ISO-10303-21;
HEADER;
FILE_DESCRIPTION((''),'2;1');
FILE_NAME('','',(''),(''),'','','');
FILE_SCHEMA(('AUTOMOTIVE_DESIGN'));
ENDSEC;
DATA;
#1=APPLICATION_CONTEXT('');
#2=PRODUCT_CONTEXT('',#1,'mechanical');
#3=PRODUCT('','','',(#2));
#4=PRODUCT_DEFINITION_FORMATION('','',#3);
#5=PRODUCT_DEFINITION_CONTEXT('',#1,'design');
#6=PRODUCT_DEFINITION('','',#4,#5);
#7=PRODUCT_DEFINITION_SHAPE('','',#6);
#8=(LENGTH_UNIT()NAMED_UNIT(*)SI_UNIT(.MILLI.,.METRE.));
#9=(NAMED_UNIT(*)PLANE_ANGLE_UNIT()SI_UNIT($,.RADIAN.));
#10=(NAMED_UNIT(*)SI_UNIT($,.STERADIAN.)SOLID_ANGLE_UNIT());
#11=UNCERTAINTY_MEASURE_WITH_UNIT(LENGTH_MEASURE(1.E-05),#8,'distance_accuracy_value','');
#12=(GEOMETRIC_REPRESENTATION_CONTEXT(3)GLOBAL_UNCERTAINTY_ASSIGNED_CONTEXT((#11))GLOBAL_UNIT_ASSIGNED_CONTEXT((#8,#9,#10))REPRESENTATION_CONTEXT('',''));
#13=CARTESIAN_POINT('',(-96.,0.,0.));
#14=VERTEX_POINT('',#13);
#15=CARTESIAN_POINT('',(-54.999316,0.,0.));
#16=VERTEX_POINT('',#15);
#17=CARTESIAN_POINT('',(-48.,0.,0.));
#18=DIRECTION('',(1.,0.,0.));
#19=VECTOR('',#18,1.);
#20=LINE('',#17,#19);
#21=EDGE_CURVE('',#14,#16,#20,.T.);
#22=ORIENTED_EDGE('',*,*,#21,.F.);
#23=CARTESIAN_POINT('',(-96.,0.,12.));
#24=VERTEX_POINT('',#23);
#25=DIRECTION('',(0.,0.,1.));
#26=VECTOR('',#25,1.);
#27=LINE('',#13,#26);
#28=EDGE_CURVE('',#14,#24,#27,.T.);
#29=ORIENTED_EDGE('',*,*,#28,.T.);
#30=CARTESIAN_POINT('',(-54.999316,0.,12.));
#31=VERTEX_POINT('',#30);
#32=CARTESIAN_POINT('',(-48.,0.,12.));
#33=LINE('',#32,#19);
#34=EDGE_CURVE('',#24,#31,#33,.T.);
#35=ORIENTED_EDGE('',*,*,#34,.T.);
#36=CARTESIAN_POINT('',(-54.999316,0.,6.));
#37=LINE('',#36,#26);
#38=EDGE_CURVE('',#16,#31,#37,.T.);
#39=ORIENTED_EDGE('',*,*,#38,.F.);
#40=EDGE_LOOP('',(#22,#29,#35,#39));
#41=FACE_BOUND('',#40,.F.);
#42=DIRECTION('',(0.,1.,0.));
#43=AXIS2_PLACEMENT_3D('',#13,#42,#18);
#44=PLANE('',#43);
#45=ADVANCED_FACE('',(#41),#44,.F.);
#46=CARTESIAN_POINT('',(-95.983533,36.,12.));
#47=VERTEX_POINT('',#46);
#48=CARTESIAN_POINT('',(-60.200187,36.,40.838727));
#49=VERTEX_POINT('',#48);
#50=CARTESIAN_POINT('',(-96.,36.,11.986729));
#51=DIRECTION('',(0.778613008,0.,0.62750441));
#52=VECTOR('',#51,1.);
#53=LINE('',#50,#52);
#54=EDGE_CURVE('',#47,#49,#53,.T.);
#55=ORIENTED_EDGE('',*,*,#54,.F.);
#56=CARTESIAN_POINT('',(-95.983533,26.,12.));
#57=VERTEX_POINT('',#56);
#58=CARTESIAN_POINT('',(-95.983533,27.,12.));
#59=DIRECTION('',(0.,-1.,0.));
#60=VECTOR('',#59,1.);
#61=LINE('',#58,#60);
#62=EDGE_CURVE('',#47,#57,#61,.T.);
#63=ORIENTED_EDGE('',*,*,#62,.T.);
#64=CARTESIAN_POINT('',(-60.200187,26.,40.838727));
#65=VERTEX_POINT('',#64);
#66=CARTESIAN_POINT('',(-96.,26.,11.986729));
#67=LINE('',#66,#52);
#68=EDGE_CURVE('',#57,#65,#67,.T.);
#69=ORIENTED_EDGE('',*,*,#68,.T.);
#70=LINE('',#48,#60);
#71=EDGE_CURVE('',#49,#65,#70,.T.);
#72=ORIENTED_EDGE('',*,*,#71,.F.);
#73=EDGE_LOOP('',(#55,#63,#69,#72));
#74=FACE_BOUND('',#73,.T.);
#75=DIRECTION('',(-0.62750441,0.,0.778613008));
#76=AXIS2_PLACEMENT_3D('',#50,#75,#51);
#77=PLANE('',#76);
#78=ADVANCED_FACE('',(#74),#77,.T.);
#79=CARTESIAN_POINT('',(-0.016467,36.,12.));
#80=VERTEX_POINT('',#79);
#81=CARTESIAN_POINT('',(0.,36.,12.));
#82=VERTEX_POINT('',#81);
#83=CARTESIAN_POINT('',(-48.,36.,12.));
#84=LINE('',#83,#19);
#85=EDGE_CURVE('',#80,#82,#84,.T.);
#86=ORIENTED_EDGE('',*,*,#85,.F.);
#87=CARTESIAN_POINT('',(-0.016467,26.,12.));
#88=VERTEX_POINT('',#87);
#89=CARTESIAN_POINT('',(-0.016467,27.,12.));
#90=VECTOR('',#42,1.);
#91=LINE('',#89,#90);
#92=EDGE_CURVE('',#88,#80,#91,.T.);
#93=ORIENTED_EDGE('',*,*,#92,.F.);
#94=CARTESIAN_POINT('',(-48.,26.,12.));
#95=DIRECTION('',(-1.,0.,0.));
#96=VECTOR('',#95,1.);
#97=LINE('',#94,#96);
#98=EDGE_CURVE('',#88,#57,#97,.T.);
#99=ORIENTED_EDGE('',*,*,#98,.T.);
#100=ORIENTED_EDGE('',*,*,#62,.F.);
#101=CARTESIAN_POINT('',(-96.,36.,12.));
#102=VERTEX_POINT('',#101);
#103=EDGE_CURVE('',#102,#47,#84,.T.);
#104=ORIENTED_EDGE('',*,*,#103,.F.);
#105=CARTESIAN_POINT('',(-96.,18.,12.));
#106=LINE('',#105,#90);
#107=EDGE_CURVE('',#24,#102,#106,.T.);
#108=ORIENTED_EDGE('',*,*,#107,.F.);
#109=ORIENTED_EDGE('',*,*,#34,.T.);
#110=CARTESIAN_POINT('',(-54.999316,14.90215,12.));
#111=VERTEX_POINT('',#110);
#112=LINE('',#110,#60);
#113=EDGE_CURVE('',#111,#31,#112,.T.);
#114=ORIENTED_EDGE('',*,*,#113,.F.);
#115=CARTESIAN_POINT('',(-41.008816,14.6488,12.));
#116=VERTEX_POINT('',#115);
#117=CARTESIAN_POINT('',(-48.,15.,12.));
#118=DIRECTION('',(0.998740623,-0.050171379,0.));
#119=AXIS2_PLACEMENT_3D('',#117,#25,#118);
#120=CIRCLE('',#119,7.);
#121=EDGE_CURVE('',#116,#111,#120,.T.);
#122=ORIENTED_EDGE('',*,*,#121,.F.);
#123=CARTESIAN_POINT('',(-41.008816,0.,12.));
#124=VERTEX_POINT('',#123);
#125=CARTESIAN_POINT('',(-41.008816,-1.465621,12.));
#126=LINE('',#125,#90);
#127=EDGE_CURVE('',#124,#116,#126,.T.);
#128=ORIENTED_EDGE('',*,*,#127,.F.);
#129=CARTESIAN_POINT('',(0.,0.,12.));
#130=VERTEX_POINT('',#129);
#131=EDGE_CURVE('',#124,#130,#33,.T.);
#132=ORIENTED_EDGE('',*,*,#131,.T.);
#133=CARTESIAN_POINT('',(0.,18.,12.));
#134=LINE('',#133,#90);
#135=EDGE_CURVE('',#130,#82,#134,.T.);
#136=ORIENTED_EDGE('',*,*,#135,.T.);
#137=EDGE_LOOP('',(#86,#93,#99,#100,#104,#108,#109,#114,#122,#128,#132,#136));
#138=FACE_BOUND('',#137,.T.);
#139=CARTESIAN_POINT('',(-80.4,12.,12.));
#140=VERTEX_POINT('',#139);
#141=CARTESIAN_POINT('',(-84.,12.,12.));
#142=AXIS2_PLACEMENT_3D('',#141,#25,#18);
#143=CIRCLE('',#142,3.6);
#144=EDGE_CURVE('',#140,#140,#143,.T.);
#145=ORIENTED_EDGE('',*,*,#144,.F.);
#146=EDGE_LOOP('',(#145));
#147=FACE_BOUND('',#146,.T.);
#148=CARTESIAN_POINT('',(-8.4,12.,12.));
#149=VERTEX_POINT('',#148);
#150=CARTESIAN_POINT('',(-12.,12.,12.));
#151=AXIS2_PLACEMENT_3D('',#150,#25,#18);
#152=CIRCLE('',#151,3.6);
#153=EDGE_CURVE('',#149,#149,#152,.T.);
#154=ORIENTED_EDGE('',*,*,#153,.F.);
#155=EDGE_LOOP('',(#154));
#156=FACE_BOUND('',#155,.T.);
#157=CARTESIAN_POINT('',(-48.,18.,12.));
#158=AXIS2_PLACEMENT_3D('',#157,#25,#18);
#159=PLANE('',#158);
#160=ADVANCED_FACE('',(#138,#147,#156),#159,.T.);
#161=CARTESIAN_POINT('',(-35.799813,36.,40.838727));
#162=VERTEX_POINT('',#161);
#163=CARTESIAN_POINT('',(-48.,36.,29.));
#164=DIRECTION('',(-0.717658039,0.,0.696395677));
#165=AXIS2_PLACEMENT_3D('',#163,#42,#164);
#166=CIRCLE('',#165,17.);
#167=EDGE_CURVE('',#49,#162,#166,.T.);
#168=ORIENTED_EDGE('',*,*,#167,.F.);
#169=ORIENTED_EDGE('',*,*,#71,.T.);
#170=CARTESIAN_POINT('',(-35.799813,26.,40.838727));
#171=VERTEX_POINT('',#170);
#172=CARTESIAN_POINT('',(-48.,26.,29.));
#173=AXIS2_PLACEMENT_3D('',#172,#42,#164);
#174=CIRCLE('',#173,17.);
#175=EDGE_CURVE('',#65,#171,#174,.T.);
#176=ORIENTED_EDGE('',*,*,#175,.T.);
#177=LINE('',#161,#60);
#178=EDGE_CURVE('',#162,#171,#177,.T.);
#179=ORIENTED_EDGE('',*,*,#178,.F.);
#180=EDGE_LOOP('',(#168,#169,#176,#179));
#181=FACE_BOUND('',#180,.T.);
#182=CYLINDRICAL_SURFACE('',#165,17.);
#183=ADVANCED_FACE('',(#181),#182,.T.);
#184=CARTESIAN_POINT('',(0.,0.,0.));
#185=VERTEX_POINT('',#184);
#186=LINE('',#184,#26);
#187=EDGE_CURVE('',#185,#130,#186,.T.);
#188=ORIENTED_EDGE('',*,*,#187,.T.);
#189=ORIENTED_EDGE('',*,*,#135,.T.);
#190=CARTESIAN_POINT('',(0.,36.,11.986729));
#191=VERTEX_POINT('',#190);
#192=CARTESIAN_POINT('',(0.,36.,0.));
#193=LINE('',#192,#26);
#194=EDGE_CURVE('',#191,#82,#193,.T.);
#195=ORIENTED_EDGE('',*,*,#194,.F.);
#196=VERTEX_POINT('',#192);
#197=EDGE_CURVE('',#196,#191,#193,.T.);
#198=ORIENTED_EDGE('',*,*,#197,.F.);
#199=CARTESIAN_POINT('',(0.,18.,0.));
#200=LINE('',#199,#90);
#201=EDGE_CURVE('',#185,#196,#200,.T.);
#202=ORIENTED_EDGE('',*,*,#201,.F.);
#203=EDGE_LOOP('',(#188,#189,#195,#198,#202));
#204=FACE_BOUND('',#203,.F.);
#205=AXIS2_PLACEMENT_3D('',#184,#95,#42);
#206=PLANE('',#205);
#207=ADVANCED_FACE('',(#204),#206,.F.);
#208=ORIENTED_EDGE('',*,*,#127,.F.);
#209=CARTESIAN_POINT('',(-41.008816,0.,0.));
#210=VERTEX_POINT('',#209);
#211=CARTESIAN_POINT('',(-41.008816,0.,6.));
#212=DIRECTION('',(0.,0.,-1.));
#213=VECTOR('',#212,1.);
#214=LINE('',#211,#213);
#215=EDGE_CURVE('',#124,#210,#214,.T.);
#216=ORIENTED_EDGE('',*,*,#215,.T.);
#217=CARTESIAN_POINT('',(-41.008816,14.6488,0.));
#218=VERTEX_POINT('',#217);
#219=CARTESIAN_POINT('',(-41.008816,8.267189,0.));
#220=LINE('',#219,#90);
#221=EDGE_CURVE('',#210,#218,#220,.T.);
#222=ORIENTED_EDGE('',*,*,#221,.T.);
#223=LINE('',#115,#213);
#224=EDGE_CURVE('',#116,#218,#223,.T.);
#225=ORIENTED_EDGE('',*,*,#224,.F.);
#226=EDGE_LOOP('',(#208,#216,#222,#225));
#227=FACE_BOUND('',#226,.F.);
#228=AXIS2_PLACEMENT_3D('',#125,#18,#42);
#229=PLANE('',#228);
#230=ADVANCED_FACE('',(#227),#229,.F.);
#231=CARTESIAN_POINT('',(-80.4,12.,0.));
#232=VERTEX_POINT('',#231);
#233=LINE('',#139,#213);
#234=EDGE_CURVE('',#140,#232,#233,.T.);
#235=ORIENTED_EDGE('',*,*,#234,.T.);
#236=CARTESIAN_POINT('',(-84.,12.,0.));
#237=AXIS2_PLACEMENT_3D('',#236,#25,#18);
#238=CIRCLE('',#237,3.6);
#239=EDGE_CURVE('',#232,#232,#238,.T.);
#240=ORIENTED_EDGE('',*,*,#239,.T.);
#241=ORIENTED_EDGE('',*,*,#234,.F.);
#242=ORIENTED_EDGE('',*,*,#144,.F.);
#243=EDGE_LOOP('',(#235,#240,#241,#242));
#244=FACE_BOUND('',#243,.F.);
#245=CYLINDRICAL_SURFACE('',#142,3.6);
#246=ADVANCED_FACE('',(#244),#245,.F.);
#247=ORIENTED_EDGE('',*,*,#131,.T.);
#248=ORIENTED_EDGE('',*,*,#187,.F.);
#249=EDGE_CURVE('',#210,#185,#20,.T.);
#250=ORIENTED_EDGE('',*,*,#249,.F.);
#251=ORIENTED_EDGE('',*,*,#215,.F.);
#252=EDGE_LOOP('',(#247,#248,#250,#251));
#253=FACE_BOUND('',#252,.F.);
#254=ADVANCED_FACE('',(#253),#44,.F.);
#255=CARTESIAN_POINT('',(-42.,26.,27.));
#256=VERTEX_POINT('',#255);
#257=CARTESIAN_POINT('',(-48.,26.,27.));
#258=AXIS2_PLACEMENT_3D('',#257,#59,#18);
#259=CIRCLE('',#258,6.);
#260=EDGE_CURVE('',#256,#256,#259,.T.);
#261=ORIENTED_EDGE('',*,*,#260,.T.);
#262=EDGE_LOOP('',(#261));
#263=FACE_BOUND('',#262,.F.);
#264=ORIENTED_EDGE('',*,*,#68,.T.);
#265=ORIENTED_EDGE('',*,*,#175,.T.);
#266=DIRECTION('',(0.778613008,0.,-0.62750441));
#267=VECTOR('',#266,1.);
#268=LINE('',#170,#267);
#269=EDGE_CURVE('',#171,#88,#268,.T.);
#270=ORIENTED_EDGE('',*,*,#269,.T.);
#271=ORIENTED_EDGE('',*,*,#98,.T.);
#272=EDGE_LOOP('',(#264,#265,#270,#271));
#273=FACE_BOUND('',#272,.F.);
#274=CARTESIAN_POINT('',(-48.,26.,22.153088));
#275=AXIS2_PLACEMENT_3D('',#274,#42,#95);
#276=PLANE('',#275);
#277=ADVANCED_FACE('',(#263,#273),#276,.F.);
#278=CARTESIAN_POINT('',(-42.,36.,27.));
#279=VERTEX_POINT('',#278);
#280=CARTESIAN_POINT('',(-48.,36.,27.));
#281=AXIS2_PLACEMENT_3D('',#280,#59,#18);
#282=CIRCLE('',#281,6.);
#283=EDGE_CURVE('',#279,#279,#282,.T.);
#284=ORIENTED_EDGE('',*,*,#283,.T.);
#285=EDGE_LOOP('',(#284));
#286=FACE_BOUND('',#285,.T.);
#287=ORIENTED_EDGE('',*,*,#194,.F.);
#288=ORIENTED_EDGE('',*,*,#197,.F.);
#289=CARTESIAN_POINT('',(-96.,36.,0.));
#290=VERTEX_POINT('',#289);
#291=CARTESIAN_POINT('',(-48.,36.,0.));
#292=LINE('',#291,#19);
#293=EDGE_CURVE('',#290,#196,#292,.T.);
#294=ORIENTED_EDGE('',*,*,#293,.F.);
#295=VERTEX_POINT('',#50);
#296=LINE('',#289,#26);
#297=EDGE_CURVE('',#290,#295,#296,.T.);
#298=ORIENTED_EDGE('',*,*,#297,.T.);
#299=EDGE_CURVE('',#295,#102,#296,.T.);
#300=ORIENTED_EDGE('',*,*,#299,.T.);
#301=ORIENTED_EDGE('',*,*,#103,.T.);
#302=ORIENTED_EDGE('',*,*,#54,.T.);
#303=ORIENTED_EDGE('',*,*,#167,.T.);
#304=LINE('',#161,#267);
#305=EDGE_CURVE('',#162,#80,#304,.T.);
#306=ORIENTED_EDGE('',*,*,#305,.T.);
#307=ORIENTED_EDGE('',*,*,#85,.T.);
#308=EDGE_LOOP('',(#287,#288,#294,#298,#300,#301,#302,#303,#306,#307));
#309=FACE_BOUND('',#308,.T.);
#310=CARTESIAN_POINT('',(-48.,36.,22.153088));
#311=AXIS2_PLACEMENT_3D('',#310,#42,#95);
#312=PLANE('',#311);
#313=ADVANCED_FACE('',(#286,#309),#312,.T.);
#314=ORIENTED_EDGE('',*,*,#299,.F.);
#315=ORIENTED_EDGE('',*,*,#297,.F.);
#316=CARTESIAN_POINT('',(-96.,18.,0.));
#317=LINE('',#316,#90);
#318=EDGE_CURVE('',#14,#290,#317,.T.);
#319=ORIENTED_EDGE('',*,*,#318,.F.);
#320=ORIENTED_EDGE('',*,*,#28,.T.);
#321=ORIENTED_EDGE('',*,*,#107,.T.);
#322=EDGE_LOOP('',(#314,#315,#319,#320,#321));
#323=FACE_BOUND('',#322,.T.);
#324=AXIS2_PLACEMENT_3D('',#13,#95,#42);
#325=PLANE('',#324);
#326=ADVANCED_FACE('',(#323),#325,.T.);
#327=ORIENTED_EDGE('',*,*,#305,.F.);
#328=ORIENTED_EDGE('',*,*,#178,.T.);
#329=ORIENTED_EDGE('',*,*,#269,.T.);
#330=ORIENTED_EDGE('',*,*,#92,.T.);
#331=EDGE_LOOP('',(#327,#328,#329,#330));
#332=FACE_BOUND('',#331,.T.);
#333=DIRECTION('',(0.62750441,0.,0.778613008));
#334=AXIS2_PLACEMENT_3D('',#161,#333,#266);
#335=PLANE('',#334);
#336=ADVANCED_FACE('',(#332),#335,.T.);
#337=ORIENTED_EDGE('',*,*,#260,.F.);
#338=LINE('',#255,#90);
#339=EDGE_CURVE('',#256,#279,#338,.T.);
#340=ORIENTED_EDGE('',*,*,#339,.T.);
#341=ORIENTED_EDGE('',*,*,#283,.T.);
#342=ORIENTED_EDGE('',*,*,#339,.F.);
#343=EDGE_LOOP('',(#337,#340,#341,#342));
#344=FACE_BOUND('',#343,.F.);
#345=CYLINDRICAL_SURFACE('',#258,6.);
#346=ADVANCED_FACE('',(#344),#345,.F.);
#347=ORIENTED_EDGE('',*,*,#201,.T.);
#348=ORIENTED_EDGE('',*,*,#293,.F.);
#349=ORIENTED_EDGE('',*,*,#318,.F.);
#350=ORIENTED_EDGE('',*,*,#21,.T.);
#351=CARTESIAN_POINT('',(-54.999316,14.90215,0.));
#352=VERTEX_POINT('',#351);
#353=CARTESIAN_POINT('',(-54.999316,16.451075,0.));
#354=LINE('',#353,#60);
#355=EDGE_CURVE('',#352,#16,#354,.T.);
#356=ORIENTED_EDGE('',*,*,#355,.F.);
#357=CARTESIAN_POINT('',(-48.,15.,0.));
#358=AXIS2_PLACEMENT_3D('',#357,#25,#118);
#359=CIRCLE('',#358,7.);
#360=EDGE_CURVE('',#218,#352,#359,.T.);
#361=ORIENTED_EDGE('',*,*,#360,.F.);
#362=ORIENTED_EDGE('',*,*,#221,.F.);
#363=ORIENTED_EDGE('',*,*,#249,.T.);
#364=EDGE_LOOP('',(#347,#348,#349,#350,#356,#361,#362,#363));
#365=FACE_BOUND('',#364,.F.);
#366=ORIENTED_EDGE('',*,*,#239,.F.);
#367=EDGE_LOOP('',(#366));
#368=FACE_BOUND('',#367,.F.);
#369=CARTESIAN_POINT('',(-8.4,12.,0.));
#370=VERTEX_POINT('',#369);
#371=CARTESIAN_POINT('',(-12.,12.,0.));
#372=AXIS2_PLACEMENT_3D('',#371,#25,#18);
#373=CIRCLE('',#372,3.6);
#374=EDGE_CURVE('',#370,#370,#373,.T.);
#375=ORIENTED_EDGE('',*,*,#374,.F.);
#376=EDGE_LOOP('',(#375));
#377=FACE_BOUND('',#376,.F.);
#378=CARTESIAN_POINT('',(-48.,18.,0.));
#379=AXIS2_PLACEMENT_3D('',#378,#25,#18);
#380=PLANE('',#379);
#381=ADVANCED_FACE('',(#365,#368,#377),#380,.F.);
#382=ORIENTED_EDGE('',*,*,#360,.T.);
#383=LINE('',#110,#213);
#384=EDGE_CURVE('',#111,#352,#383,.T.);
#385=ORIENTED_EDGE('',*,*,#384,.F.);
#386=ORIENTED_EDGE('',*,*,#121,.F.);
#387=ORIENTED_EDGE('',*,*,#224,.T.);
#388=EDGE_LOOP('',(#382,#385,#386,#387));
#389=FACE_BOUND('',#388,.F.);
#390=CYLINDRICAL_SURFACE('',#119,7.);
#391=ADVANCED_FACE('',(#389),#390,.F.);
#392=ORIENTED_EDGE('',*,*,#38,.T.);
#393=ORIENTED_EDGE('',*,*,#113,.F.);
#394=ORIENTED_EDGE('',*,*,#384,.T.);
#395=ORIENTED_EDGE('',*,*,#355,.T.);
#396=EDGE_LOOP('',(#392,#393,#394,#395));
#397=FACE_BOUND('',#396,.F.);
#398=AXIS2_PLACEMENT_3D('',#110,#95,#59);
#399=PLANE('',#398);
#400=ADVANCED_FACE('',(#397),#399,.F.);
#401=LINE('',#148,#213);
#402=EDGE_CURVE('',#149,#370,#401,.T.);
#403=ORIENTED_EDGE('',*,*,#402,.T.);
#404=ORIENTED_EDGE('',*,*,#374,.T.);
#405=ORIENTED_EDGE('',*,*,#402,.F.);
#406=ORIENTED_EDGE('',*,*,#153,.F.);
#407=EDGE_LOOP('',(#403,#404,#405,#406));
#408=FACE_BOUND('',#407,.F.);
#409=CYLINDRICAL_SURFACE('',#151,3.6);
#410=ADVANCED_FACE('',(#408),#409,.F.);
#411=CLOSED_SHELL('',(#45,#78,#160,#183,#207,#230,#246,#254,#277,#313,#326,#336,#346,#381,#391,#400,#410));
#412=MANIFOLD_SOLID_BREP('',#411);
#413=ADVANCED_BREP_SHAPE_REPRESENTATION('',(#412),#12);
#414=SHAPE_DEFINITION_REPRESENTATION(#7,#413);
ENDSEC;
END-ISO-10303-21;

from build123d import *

# Parameters (mm, degrees)
F0_W      = 96
F0_H      = 36
F1_DEPTH  = 12
F2_R      = 3.6
F3_DEPTH  = 12.001
F5_DEPTH  = 12.001
F8_DEPTH  = 10
F9_R      = 6
F10_DEPTH = 10.001


with BuildPart() as f1:
    # F0 (on Top) → F1 (new body)
    with BuildSketch(Plane.XY):
        with Locations((-48, 18)):
            Rectangle(F0_W, F0_H)
    extrude(amount=F1_DEPTH)

    # F2 (on face) → F3 (cut, through all)
    with BuildSketch(Plane.XY.offset(12)):
        with Locations((-12, 12)):
            Circle(F2_R)
        with Locations((-84, 12)):
            Circle(F2_R)
    extrude(amount=-F3_DEPTH, mode=Mode.SUBTRACT)

    # F4 (on face) → F5 (cut, through all)
    with BuildSketch(Plane.XY.offset(12)):
        with BuildLine():
            Line((-41.0088156365, -1.4656213384), (-41.0088156365, 14.6488003482))
            ThreePointArc((-41.0088156365, 14.6488003482), (-47.8732599834, 21.9988525465), (-54.9993160638, 14.9021499143))
            Line((-54.9993160638, 14.9021499143), (-54.9993160638, -1.4656213384))
            Line((-54.9993160638, -1.4656213384), (-41.0088156365, -1.4656213384))
        make_face()
    extrude(amount=-F5_DEPTH, mode=Mode.SUBTRACT)

    # F7 (on offset) → F8 (join)
    with BuildSketch(Plane(origin=(0, 36, 0), x_dir=(-1, 0, 0), z_dir=(0, 1, 0))):
        with BuildLine():
            Line((35.7998133379, 40.8387265113), (0, 11.9867287576))
            Line((0, 11.9867287576), (96, 11.9867287576))
            Line((96, 11.9867287576), (60.2001866621, 40.8387265113))
            ThreePointArc((60.2001866621, 40.8387265113), (48, 46), (35.7998133379, 40.8387265113))
        make_face()
    extrude(amount=-F8_DEPTH)

    # F9 (on face) → F10 (cut, through all)
    with BuildSketch(Plane.XZ.offset(-26)):
        with Locations((-48, 27)):
            Circle(F9_R)
    extrude(amount=-F10_DEPTH, mode=Mode.SUBTRACT)


solid = f1.part
